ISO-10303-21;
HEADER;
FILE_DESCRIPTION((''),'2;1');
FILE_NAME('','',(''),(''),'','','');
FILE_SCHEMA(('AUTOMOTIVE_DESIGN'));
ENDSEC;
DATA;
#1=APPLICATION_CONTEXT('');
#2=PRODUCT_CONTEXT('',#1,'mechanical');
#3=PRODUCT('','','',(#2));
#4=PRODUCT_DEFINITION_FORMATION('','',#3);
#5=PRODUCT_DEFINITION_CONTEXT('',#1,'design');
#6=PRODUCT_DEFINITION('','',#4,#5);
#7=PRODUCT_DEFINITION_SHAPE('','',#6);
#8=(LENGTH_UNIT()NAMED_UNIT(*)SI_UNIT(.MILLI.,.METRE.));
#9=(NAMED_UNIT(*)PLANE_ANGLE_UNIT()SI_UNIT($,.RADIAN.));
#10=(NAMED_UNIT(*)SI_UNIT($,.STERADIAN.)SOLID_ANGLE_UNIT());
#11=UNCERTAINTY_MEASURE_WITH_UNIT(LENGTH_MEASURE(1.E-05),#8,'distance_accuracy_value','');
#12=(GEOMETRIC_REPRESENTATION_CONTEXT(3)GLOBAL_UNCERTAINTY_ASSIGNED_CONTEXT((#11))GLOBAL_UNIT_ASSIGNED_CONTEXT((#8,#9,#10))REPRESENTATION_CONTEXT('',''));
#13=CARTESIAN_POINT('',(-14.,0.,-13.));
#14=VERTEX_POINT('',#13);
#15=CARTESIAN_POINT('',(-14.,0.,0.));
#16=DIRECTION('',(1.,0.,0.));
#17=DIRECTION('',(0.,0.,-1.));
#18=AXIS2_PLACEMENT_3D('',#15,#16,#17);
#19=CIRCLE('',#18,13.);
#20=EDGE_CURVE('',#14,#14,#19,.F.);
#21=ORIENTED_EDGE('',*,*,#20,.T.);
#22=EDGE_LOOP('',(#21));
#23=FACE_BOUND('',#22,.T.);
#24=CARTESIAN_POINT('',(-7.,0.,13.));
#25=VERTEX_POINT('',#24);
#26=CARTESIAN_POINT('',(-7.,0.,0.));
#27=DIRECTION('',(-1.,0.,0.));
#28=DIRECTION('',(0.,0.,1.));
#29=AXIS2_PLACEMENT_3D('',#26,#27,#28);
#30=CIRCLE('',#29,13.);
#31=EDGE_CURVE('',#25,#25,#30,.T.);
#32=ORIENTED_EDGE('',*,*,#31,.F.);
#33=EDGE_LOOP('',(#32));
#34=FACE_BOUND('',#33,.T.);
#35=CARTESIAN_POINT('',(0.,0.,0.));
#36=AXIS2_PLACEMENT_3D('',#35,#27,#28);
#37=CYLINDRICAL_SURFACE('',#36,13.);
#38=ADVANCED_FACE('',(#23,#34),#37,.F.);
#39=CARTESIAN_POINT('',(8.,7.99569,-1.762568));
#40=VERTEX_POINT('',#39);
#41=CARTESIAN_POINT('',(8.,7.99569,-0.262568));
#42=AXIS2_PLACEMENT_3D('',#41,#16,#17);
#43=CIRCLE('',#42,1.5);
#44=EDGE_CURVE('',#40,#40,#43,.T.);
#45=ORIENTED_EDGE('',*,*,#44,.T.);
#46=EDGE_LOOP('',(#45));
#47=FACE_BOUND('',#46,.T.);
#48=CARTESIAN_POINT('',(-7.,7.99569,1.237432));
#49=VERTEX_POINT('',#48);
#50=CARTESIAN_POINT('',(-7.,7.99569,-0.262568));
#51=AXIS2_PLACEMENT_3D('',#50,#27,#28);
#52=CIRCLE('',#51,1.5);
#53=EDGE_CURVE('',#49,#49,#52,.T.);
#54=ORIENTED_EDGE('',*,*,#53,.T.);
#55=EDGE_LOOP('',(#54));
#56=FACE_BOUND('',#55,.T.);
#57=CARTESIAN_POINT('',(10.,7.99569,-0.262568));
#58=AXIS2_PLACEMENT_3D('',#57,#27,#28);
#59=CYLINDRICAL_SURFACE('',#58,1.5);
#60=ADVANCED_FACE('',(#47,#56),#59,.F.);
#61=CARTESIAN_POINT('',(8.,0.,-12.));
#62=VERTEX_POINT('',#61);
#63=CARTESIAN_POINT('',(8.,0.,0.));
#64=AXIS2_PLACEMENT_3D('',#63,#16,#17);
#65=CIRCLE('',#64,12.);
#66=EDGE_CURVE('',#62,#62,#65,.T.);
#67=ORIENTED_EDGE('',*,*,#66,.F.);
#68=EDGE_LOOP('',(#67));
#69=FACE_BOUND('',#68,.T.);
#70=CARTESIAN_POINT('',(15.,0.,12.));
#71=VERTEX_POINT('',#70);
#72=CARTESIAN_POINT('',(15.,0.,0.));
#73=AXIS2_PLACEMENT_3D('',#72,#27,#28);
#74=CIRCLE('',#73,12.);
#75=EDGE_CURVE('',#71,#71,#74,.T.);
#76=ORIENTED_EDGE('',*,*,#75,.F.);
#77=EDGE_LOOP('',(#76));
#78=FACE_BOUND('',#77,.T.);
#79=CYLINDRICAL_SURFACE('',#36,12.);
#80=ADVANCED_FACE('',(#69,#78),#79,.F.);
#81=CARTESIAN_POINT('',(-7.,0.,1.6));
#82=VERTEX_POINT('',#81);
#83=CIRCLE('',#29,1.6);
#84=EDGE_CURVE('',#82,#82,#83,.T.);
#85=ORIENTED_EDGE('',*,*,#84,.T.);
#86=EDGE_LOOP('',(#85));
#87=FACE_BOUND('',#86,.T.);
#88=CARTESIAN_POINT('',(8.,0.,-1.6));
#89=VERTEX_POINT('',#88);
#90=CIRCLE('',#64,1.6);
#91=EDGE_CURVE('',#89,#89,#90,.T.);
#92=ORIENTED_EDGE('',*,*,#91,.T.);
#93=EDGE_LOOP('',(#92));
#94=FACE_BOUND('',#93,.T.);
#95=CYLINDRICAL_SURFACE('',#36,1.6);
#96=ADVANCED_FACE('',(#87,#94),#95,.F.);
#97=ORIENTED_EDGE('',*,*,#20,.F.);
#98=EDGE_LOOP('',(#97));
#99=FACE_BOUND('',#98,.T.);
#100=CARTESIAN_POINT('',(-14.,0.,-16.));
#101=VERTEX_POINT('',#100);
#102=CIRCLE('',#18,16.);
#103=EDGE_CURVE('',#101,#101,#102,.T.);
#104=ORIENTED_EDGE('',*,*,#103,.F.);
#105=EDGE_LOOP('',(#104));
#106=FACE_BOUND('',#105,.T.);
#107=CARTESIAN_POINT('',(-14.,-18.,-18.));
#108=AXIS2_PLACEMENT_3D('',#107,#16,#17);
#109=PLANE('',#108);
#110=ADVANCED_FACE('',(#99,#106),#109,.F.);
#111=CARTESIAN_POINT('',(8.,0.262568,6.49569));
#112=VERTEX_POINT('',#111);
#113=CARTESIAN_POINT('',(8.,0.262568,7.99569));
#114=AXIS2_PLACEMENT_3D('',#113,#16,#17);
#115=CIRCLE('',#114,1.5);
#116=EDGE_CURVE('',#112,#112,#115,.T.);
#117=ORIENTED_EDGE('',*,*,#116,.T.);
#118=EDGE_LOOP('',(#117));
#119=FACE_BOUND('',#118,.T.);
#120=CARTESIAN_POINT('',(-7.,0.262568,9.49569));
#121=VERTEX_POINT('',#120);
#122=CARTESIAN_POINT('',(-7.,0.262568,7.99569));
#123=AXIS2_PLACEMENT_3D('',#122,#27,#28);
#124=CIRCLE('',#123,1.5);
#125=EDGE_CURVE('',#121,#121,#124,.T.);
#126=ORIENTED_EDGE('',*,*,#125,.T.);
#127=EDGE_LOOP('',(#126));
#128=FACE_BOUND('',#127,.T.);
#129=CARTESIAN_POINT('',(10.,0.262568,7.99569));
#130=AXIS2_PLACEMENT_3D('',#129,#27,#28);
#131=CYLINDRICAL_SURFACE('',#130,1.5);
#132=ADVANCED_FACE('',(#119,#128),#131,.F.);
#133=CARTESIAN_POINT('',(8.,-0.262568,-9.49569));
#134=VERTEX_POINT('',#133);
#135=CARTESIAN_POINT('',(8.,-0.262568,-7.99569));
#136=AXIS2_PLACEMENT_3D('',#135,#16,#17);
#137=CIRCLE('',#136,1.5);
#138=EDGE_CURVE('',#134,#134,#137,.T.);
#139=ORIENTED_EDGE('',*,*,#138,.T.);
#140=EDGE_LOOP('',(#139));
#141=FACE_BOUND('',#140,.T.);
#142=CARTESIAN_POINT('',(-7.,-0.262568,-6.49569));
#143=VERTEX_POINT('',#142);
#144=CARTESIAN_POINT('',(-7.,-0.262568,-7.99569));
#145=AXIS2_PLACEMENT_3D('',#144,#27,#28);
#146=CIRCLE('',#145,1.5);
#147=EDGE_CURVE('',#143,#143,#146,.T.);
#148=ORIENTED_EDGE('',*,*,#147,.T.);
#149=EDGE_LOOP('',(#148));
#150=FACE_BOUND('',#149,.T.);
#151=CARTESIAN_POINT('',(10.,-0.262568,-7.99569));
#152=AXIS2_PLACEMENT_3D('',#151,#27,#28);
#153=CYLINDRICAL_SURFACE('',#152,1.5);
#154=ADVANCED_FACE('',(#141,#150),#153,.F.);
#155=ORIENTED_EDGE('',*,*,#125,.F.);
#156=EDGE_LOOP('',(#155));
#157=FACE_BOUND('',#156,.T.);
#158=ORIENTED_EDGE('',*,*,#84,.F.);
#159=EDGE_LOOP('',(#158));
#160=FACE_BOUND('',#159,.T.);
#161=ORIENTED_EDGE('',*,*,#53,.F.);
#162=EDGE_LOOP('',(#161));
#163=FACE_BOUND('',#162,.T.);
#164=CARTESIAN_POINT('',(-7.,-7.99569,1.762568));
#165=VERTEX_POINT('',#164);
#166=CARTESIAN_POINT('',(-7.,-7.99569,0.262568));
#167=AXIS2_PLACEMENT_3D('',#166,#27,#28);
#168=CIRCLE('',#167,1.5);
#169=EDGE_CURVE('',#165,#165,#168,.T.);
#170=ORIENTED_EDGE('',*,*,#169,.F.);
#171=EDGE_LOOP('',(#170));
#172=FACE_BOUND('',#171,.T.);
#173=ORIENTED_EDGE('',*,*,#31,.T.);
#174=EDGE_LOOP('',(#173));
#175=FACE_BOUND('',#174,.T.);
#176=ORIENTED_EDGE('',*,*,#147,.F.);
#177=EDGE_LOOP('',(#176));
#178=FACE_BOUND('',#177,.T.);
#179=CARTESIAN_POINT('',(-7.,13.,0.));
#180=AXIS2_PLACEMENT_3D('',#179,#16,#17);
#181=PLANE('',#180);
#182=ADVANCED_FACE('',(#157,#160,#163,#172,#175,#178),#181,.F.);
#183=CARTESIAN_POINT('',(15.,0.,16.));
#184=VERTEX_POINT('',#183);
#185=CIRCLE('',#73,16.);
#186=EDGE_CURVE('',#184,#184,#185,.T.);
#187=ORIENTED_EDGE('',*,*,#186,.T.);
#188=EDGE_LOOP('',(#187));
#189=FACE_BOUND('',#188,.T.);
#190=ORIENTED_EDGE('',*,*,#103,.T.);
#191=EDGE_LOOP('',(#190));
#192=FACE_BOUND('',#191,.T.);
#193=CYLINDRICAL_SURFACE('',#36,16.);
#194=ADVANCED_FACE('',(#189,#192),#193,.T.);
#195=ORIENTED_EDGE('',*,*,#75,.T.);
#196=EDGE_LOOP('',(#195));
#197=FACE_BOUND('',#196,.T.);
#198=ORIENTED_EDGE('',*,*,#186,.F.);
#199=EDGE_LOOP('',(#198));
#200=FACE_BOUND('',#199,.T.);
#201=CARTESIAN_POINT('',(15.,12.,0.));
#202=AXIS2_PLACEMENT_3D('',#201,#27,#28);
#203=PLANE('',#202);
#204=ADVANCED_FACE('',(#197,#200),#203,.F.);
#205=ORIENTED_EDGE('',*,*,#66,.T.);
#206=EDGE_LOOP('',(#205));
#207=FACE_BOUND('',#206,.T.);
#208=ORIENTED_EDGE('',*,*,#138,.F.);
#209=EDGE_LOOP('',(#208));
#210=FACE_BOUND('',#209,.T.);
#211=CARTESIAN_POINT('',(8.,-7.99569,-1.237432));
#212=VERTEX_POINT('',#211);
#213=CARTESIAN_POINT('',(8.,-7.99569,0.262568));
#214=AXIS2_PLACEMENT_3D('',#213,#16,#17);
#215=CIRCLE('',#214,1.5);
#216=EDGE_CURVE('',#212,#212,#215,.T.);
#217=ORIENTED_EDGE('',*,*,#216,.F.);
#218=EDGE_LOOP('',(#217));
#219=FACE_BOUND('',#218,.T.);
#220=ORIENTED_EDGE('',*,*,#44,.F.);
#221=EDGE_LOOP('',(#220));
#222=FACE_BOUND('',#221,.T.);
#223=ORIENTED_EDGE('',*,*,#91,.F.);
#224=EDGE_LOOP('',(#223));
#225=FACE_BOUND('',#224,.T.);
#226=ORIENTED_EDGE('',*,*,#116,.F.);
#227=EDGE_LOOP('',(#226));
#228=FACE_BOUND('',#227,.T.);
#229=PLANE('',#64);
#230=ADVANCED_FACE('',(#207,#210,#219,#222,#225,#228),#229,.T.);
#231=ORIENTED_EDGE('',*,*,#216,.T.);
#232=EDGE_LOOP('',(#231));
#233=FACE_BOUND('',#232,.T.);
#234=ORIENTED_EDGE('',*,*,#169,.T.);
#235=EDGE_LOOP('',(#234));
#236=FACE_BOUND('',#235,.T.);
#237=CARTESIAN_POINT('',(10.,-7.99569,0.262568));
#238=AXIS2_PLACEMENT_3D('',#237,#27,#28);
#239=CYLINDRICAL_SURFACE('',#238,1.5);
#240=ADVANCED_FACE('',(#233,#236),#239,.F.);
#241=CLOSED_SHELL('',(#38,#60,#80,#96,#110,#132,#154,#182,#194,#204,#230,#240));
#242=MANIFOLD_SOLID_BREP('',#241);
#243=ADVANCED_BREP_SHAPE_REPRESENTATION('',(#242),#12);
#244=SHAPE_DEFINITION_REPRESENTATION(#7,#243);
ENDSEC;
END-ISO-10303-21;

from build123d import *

# Parameters (mm, degrees)
SKETCH4_R               = 1.5
CUT_EXTRUDE1_DEPTH      = 17
SKETCH5_R               = 12
SKETCH5_R_2             = 1.5
SKETCH5_R_3             = 1.6
BOSS_EXTRUDE1_DEPTH     = 2
CUT_EXTRUDE2_DEPTH      = 31.066592757
CUT_EXTRUDE2_DEPTH_BACK = 31.066592757
SKETCH6_W               = 2
SKETCH6_H               = 36


with BuildPart() as part:
    # Sketch3 → Revolve1 (revolve)
    with BuildSketch(Plane.XY, mode=Mode.PRIVATE) as revolve1_sk:
        Polygon((-7, 1.6), (6, 1.6), (6, 12), (15, 12), (15, 16), (-14, 16), (-14, 18), (-16, 18), (-16, 13), (-7, 13), align=None)
    revolve(revolve1_sk.sketch.rotate(Axis((0, 0, 0), (1, 0, 0)), 90), axis=Axis((0, 0, 0), (1, 0, 0)))

    # Sketch4 → Cut-Extrude1 (cut)
    with BuildSketch(Plane.ZY.offset(7)):
        with Locations((0.262567942, -7.995689969)):
            Circle(SKETCH4_R)
        with Locations((-7.995689969, -0.262567942)):
            Circle(SKETCH4_R)
        with Locations((-0.262567942, 7.995689969)):
            Circle(SKETCH4_R)
        with Locations((7.995689969, 0.262567942)):
            Circle(SKETCH4_R)
    extrude(amount=-CUT_EXTRUDE1_DEPTH, mode=Mode.SUBTRACT)

    # Sketch5 → Boss-Extrude1 (add)
    with BuildSketch(Plane(origin=(6, 0, 0), x_dir=(0, 0, -1), z_dir=(1, 0, 0))):
        with Locations(Location((0, 0, 0), (0, 0, 180))):
            Circle(SKETCH5_R)
        with Locations(Location((7.995689969, -0.262567942, 0), (0, 0, 180))):
            Circle(SKETCH5_R_2, mode=Mode.SUBTRACT)
        with Locations(Location((-0.262567942, -7.995689969, 0), (0, 0, 180))):
            Circle(SKETCH5_R_2, mode=Mode.SUBTRACT)
        with Locations(Location((-7.995689969, 0.262567942, 0), (0, 0, 180))):
            Circle(SKETCH5_R_2, mode=Mode.SUBTRACT)
        with Locations(Location((0.262567942, 7.995689969, 0), (0, 0, 180))):
            Circle(SKETCH5_R_2, mode=Mode.SUBTRACT)
        with Locations(Location((0, 0, 0), (0, 0, 180))):
            Circle(SKETCH5_R_3, mode=Mode.SUBTRACT)
    extrude(amount=BOSS_EXTRUDE1_DEPTH)

    # Sketch6 → Cut-Extrude2 (cut, two sides: drawn at the far end of the back side and taken through both)
    with BuildSketch(Plane.XY.offset(-CUT_EXTRUDE2_DEPTH_BACK)):
        with Locations((-15, 0)):
            Rectangle(SKETCH6_W, SKETCH6_H)
    extrude(amount=CUT_EXTRUDE2_DEPTH + CUT_EXTRUDE2_DEPTH_BACK, mode=Mode.SUBTRACT)


solid = part.part
